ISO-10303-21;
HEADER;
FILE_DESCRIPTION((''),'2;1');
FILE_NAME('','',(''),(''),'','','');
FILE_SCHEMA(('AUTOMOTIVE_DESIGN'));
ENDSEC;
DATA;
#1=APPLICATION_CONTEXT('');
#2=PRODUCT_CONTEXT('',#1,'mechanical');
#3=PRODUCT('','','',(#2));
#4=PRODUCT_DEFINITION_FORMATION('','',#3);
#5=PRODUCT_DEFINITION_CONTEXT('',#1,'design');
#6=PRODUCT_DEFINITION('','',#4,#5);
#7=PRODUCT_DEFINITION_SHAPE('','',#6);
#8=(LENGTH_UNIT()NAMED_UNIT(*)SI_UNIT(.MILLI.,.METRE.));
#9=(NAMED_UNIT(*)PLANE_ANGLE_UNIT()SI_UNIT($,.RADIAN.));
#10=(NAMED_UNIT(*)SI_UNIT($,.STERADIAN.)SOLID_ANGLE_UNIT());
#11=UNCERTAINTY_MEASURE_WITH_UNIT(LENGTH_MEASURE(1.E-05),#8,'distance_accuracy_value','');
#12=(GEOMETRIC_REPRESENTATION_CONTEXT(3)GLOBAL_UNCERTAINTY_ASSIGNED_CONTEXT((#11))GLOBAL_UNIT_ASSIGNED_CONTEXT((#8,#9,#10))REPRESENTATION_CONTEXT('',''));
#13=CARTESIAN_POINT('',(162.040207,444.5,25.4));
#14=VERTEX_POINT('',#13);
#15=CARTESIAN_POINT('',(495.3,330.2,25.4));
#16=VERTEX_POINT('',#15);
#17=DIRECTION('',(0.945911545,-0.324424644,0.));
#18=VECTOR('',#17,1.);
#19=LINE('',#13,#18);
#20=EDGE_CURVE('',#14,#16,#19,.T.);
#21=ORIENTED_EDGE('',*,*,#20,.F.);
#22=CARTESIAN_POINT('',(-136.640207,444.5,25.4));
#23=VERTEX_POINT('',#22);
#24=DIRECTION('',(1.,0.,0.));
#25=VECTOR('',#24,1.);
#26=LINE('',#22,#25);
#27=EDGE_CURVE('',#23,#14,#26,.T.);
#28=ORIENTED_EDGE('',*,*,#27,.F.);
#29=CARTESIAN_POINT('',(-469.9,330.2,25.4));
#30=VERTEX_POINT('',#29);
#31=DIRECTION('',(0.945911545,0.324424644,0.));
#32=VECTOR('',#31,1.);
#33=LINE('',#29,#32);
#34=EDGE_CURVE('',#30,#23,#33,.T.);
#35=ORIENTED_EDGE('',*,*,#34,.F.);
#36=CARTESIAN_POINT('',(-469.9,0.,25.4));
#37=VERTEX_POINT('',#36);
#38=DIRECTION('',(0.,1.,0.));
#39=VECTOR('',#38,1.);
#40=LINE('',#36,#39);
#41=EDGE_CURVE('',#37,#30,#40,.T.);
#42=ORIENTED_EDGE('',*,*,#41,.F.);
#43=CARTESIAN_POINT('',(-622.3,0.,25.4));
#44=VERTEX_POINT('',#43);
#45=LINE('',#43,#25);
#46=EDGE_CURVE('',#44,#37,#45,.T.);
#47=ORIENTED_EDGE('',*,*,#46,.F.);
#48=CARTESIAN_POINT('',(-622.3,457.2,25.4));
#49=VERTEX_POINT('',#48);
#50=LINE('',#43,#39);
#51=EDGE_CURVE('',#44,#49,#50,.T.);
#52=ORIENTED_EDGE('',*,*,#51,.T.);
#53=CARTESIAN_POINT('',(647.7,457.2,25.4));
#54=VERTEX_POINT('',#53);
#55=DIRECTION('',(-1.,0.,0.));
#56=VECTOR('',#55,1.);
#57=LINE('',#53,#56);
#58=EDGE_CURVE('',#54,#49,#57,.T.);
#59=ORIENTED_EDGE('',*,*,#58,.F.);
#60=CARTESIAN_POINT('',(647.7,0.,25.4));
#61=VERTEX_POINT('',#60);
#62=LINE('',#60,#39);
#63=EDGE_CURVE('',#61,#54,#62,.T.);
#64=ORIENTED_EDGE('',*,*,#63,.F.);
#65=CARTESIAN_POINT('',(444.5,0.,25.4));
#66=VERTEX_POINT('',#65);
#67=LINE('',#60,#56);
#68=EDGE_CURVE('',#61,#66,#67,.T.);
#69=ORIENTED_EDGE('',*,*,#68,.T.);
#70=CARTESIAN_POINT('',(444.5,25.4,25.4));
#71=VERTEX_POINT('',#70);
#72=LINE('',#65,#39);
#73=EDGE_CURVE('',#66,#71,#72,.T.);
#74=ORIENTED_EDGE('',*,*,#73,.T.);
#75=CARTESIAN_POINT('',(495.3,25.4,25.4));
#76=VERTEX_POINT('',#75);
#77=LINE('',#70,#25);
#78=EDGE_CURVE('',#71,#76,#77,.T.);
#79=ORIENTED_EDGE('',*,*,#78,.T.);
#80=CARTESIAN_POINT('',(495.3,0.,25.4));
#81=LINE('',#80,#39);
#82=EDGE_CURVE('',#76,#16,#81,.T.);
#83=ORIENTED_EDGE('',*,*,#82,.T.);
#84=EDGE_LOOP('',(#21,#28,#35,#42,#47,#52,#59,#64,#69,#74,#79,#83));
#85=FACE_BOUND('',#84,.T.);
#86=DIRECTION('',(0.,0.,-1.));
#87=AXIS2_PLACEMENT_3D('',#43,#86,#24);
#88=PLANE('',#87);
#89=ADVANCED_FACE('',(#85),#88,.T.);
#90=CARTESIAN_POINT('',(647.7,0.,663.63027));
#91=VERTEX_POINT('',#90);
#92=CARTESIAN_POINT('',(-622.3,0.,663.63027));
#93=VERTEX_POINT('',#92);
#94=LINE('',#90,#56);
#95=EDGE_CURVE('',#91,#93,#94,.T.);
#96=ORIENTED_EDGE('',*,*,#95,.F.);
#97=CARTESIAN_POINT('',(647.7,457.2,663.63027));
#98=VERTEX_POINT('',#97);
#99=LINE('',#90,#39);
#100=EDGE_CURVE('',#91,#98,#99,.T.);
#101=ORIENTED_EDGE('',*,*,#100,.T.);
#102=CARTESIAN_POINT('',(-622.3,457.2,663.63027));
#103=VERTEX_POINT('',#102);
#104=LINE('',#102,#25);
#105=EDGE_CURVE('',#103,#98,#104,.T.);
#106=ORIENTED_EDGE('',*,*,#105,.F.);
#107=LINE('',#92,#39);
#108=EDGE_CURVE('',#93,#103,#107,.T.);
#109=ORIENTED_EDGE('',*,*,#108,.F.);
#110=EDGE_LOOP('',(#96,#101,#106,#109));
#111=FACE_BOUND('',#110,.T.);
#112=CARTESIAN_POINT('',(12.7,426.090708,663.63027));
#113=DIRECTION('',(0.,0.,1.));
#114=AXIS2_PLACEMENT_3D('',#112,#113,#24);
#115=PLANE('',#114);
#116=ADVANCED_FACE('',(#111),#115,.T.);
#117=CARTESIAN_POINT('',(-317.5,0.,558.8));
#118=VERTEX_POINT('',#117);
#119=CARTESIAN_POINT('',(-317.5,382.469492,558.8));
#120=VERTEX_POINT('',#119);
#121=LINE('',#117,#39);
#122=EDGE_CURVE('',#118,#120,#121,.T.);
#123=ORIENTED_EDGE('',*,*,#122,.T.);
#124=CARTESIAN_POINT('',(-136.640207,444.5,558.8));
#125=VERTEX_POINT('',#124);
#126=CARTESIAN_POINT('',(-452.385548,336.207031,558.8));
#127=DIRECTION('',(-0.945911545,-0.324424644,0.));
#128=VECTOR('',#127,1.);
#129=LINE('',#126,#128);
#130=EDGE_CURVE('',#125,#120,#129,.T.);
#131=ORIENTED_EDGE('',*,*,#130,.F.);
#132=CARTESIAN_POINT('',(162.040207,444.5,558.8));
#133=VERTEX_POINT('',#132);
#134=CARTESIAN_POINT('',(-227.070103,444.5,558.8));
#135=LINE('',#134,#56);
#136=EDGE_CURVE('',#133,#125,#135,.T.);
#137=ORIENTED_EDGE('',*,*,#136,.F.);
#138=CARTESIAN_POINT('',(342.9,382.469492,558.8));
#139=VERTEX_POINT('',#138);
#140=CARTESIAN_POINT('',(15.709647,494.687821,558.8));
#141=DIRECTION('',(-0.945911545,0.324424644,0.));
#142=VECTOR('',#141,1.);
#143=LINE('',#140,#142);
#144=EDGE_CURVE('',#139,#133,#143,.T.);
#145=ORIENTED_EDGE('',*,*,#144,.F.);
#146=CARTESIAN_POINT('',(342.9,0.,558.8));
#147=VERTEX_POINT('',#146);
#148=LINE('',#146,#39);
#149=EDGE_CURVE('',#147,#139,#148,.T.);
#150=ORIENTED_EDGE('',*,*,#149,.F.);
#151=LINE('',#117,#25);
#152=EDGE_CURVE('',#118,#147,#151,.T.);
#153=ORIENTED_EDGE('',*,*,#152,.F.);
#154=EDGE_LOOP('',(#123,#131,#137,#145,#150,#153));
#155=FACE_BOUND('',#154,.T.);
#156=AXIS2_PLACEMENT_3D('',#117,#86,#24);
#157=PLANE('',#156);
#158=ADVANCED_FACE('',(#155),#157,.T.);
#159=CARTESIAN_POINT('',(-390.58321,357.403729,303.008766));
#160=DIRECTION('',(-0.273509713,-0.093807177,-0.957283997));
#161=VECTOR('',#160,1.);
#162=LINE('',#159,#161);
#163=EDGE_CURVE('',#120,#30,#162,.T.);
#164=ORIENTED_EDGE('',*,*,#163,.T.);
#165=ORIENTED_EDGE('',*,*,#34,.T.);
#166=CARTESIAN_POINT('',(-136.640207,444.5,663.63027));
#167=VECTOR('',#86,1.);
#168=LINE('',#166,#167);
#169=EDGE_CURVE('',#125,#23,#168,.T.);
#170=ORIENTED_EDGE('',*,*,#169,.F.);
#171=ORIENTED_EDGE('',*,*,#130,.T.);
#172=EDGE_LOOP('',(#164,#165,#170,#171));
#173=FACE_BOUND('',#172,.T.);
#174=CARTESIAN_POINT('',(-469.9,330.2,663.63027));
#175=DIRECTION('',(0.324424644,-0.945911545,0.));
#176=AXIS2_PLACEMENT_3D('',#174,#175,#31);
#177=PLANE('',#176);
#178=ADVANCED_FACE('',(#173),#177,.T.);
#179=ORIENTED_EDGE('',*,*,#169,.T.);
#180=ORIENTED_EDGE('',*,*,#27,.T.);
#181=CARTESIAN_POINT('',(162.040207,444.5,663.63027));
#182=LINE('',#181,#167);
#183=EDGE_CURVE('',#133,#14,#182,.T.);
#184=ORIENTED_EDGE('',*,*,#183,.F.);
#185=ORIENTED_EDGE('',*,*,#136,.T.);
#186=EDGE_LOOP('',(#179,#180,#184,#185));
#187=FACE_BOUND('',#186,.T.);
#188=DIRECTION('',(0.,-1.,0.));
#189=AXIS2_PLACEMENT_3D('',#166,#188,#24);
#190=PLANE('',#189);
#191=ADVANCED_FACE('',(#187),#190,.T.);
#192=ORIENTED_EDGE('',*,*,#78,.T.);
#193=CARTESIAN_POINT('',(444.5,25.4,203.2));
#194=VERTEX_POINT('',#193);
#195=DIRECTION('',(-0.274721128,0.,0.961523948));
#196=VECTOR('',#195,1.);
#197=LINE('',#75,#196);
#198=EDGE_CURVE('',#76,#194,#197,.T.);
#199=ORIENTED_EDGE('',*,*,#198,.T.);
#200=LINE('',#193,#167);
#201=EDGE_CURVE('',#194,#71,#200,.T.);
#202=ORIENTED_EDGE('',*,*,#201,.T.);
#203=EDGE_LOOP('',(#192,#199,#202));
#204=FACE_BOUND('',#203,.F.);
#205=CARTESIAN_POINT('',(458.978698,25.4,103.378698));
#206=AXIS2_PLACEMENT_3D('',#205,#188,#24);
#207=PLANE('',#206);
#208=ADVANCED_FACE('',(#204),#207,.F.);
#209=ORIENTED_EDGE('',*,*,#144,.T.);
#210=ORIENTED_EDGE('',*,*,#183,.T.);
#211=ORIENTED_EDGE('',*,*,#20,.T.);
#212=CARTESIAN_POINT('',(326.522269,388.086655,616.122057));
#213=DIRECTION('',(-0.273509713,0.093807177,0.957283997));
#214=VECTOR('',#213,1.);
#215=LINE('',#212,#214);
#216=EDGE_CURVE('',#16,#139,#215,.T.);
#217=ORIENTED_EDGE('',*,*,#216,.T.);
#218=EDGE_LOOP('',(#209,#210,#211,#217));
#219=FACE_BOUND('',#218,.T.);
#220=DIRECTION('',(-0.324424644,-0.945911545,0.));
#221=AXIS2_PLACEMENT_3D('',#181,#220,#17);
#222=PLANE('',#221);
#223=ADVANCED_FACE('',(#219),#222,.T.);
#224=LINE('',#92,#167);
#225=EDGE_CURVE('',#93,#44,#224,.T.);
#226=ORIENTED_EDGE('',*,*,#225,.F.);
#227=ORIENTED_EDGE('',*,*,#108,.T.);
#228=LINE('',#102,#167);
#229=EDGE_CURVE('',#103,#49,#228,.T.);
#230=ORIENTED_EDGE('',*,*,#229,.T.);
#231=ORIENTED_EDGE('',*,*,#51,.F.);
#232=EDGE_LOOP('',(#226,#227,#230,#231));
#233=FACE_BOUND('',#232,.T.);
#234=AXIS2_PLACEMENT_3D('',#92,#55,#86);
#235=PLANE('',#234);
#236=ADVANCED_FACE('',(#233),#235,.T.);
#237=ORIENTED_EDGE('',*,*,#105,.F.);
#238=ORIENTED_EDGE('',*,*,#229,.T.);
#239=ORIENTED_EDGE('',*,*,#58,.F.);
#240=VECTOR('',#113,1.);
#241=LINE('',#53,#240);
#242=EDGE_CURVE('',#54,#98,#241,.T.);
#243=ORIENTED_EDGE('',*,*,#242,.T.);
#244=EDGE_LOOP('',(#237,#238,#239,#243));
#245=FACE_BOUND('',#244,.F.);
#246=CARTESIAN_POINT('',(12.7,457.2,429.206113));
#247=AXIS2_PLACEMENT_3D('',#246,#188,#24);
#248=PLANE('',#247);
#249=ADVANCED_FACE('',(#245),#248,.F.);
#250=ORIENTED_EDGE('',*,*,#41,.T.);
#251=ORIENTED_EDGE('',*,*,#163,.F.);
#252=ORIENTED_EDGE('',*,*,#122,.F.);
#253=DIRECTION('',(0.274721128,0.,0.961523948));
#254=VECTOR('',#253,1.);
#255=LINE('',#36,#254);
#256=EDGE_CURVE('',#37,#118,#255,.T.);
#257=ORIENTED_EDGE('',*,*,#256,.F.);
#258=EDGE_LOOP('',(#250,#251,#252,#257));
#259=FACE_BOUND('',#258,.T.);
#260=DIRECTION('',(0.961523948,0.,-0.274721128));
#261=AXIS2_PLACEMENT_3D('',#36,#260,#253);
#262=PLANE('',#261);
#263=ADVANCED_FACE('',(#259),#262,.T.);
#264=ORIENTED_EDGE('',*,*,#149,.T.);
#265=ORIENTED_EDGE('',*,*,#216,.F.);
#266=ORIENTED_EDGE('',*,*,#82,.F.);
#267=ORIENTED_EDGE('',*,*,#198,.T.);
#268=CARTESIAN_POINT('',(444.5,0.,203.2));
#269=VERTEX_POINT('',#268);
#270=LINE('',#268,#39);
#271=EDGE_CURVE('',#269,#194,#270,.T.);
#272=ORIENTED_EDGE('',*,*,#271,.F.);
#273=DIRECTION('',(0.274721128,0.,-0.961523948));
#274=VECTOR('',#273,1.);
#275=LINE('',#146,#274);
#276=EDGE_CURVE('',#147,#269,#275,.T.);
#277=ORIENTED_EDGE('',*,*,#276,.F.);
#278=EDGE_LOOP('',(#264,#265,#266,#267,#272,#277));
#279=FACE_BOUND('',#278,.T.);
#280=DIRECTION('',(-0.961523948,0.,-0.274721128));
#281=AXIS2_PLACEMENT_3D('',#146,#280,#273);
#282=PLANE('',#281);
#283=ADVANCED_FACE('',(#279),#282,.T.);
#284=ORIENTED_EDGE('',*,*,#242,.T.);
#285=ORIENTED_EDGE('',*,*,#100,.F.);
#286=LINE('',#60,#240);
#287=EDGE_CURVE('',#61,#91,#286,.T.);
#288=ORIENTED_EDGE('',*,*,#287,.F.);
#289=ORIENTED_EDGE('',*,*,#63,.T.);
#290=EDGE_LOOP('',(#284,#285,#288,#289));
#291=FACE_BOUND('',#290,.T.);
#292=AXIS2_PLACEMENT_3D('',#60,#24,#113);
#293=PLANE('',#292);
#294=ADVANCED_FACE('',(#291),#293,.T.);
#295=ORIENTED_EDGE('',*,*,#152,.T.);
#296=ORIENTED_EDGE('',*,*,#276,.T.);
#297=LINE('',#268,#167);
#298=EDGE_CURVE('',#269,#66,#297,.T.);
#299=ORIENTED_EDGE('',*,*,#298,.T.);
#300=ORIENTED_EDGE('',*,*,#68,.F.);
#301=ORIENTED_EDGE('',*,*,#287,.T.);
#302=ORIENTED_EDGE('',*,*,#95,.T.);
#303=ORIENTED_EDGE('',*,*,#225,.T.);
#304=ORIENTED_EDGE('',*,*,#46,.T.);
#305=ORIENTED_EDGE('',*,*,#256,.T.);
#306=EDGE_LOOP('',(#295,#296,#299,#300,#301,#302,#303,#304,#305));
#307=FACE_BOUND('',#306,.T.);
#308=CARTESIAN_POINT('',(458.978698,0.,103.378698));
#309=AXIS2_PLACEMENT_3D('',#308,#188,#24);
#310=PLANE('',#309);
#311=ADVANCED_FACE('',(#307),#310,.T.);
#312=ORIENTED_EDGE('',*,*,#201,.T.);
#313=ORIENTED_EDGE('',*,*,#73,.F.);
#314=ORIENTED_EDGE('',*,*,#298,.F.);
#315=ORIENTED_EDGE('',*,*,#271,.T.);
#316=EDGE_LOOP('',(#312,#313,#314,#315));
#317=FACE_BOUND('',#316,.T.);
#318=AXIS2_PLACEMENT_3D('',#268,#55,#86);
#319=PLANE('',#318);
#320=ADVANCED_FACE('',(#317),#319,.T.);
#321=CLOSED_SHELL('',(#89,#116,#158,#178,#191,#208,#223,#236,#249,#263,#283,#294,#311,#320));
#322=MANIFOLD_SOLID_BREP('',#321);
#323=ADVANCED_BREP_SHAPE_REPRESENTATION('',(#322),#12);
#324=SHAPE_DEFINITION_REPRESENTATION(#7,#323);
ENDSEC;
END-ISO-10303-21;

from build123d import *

# Parameters (mm, degrees)
F1_DEPTH = 457.2
F3_DEPTH = 25.4
F5_DEPTH = 638.23027


with BuildPart() as f1:
    # F0 (on Front) → F1 (new body)
    with BuildSketch(Plane.XZ):
        Polygon((-622.3, 25.4), (-469.9, 25.4), (-317.5, 558.8), (342.9, 558.8), (495.3, 25.4), (647.7, 25.4), (647.7, 663.63027), (-622.3, 663.63027), align=None)
    extrude(amount=-F1_DEPTH)

    # F2 (on face) → F3 (join)
    with BuildSketch(Plane.XZ):
        Polygon((444.5, 25.4), (495.3, 25.4), (444.5, 203.2), align=None)
    extrude(amount=-F3_DEPTH)

    # F4 (on face) → F5 (join, through all)
    with BuildSketch(Plane.XY.offset(663.63027)):
        Polygon((495.3, 457.2), (-469.9, 457.2), (-469.9, 330.2), (-136.640207, 444.5), (162.040207, 444.5), (495.3, 330.2), align=None)
    extrude(amount=-F5_DEPTH)


solid = f1.part
